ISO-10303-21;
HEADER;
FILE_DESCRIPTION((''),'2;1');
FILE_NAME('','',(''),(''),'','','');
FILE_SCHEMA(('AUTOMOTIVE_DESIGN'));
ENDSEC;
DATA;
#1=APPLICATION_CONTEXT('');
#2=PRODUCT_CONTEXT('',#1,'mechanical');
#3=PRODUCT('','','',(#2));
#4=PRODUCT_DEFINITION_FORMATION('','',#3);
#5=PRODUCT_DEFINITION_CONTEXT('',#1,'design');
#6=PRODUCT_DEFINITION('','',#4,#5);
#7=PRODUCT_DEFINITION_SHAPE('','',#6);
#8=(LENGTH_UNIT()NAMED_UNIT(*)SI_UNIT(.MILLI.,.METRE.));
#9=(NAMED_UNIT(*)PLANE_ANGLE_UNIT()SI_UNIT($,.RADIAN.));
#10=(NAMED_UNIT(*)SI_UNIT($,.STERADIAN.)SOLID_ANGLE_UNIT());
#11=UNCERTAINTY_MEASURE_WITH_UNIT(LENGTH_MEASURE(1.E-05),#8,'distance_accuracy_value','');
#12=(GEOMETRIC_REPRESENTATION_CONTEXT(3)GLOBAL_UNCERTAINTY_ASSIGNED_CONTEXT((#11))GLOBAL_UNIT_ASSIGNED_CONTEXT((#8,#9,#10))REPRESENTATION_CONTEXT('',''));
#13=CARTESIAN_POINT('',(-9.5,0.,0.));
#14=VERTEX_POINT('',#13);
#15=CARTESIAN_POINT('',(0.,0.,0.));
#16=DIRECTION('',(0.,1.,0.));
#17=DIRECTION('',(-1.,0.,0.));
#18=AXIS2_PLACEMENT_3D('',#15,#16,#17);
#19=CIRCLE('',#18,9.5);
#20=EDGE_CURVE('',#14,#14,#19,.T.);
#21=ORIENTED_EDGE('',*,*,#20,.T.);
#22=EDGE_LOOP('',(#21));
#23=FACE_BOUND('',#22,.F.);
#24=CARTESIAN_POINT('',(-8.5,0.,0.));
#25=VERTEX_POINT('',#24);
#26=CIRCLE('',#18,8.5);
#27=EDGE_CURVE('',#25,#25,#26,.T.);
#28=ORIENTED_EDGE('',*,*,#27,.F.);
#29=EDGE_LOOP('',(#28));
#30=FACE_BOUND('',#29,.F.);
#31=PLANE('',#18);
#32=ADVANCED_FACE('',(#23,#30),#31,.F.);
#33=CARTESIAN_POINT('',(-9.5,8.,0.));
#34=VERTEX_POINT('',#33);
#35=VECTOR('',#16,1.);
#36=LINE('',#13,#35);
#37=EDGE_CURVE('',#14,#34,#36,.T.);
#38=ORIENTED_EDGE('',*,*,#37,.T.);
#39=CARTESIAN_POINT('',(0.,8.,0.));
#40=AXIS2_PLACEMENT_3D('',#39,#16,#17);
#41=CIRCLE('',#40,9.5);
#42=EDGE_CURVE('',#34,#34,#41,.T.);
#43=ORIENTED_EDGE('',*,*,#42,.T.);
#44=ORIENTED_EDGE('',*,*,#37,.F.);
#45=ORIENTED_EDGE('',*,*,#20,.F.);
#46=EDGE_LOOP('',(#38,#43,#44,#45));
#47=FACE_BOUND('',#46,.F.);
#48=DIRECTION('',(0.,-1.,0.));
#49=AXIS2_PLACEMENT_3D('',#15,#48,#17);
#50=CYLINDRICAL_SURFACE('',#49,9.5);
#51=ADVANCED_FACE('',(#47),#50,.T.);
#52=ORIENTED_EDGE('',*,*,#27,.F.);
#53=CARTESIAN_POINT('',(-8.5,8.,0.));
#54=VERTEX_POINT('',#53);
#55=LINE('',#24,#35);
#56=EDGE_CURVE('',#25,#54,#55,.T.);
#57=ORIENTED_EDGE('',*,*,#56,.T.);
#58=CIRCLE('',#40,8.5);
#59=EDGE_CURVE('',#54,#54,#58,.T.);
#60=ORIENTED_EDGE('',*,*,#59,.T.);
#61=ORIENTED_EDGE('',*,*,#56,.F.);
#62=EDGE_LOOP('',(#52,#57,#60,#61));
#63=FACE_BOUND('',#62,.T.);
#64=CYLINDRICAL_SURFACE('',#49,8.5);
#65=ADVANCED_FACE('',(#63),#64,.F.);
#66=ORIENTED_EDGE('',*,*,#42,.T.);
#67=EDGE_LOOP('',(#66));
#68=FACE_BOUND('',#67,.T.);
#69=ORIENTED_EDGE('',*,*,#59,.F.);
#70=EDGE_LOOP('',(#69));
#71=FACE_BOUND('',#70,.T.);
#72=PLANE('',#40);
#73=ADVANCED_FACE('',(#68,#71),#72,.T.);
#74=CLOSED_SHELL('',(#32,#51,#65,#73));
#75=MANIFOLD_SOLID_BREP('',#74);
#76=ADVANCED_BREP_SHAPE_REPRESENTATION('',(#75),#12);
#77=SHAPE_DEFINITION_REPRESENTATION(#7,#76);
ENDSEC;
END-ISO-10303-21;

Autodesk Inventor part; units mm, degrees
ref_plane "YZ Plane" through (0, 0, 0) normal (1, 0, 0) x (0, 1, 0)
ref_plane "XZ Plane" through (0, 0, 0) normal (0, 1, 0) x (-1, 0, 0)
ref_plane "XY Plane" through (0, 0, 0) normal (0, 0, 1) x (1, 0, 0)
sketch "Sketch1" plane through (0, 0, 0) normal (0, 1, 0) x (-1, 0, 0)
  circle A0 centre (0, 0) radius 8.5
  circle A1 centre (0, 0) radius 9.5
  dimension "d0" = 1
  dimension "d3" = 17
extrude "Extrusion1" add sketch "Sketch1" along normal blind 8
properties part number "METAL RING" material "Stainless Steel"
